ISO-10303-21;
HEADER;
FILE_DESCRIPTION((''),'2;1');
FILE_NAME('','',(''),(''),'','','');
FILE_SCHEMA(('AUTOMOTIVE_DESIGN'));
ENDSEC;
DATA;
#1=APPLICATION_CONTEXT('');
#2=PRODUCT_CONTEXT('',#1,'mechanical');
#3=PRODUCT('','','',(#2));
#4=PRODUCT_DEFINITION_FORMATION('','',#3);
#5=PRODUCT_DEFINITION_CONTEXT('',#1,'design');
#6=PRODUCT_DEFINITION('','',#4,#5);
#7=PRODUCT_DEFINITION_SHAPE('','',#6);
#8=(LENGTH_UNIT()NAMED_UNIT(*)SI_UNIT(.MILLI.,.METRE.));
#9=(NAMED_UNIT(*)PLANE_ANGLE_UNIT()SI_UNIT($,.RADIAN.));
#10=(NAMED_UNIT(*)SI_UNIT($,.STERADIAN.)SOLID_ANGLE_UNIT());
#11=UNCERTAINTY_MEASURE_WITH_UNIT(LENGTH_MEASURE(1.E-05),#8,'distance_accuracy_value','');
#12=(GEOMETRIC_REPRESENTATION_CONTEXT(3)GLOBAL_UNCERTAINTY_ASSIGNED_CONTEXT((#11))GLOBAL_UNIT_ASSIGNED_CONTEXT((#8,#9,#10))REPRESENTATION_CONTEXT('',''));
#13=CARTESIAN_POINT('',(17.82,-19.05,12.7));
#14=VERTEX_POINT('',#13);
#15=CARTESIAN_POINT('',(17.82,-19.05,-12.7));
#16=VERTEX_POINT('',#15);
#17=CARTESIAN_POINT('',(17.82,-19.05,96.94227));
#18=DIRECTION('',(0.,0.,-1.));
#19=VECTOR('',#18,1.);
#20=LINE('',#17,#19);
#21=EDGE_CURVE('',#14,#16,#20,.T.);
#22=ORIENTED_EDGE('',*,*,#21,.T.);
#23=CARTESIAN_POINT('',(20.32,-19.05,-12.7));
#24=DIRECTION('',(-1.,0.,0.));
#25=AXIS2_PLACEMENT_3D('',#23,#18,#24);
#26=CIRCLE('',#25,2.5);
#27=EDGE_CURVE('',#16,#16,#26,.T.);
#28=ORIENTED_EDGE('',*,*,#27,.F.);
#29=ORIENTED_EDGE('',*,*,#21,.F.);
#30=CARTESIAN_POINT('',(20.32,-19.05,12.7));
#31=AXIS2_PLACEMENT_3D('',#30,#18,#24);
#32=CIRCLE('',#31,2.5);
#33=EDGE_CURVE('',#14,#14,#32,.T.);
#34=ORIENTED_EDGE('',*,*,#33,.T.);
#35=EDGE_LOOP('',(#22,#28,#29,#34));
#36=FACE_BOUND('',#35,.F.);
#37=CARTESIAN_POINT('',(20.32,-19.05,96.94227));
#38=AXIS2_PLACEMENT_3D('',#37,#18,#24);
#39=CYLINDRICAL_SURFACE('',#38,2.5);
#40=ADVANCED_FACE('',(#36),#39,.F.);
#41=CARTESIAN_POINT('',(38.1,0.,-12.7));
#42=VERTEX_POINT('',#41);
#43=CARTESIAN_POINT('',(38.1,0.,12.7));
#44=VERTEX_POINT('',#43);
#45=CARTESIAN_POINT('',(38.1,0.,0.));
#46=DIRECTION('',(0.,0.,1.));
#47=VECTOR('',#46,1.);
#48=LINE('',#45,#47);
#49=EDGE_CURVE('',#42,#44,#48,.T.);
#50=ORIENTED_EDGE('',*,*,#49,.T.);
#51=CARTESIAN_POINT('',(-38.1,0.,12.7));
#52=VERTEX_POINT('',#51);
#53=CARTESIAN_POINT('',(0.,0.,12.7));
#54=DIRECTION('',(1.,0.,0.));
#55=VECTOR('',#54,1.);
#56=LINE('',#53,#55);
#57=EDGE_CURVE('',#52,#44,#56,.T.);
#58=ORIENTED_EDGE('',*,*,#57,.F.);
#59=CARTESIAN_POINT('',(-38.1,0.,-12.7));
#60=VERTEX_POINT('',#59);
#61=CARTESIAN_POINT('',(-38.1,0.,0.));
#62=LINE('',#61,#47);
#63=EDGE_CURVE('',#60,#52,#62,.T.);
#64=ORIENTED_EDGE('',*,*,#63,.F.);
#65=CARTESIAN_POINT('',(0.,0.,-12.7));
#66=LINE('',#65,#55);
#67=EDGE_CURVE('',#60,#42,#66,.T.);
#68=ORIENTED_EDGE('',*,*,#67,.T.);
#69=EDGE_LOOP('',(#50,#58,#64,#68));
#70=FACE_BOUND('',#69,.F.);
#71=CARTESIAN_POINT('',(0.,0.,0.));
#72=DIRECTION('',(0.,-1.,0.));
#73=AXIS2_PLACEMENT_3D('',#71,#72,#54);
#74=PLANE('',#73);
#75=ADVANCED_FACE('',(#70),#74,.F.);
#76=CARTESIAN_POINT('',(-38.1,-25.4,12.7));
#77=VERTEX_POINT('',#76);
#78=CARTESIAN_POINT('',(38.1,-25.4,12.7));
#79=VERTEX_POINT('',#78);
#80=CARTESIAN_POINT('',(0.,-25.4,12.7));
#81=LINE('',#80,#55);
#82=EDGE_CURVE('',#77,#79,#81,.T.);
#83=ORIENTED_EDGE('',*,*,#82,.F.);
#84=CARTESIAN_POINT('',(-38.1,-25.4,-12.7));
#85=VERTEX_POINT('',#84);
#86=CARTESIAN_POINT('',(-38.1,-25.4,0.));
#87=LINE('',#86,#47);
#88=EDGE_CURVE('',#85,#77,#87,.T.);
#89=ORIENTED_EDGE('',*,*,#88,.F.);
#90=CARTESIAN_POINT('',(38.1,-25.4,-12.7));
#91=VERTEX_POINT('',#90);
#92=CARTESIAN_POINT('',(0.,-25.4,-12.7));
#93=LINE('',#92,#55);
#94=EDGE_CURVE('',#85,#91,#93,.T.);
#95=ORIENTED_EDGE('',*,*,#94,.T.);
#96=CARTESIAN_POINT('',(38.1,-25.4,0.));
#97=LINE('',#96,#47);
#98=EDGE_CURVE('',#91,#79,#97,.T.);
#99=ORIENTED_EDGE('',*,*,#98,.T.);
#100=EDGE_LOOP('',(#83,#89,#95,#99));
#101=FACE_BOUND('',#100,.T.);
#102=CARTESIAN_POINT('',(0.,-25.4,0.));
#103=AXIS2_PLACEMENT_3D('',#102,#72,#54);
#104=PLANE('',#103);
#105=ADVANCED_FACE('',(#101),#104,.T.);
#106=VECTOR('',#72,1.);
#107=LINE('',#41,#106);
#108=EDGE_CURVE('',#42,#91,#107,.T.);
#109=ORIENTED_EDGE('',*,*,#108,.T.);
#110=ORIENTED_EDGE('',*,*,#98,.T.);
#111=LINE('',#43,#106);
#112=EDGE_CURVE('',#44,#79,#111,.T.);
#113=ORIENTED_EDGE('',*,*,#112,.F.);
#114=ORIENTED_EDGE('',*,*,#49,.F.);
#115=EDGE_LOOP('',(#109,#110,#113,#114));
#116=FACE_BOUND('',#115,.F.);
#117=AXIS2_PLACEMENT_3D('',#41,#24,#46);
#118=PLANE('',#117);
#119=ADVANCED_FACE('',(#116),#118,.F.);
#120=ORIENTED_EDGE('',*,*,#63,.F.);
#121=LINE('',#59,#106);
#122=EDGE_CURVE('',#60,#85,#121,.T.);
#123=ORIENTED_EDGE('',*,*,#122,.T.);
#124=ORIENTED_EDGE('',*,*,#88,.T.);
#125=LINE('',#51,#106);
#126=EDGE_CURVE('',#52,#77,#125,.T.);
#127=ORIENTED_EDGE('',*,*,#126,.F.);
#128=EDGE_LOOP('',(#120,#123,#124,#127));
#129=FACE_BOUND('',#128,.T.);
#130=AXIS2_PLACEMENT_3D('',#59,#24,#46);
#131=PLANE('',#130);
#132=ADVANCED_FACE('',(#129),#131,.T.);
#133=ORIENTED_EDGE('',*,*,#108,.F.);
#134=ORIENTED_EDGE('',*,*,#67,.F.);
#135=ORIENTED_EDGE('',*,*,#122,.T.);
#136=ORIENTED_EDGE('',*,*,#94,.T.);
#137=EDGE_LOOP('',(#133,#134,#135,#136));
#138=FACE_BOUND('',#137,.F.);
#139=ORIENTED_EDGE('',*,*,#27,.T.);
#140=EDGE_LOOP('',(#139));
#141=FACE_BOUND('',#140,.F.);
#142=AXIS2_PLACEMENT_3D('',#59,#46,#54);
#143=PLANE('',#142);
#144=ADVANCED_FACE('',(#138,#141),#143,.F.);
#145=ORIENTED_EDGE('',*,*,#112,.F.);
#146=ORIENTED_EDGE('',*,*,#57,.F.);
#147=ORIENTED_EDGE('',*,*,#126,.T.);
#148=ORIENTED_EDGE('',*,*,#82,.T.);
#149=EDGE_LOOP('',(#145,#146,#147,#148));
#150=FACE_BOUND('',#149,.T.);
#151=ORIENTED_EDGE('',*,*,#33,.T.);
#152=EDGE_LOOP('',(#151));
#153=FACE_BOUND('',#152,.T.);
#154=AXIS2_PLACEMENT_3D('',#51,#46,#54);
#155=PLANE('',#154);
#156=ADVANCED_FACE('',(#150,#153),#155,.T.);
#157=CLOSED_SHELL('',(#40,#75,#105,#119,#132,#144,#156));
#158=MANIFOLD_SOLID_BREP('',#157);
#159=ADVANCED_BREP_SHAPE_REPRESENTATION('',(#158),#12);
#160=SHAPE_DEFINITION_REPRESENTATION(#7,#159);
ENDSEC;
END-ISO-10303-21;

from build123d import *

# Parameters (mm, degrees)
F0_W     = 76.2
F0_H     = 25.4
F1_DEPTH = 25.4
F3_D     = 5


with BuildPart() as f1:
    # F0 (on Front) → F1 (new body)
    with BuildSketch(Plane.XZ):
        Rectangle(F0_W, F0_H)
    extrude(amount=F1_DEPTH)

    # F3 (through all)
    with Locations(Plane.XY.offset(12.7)):
        with Locations((20.32, -19.05)):
            Hole(F3_D / 2)


solid = f1.part
